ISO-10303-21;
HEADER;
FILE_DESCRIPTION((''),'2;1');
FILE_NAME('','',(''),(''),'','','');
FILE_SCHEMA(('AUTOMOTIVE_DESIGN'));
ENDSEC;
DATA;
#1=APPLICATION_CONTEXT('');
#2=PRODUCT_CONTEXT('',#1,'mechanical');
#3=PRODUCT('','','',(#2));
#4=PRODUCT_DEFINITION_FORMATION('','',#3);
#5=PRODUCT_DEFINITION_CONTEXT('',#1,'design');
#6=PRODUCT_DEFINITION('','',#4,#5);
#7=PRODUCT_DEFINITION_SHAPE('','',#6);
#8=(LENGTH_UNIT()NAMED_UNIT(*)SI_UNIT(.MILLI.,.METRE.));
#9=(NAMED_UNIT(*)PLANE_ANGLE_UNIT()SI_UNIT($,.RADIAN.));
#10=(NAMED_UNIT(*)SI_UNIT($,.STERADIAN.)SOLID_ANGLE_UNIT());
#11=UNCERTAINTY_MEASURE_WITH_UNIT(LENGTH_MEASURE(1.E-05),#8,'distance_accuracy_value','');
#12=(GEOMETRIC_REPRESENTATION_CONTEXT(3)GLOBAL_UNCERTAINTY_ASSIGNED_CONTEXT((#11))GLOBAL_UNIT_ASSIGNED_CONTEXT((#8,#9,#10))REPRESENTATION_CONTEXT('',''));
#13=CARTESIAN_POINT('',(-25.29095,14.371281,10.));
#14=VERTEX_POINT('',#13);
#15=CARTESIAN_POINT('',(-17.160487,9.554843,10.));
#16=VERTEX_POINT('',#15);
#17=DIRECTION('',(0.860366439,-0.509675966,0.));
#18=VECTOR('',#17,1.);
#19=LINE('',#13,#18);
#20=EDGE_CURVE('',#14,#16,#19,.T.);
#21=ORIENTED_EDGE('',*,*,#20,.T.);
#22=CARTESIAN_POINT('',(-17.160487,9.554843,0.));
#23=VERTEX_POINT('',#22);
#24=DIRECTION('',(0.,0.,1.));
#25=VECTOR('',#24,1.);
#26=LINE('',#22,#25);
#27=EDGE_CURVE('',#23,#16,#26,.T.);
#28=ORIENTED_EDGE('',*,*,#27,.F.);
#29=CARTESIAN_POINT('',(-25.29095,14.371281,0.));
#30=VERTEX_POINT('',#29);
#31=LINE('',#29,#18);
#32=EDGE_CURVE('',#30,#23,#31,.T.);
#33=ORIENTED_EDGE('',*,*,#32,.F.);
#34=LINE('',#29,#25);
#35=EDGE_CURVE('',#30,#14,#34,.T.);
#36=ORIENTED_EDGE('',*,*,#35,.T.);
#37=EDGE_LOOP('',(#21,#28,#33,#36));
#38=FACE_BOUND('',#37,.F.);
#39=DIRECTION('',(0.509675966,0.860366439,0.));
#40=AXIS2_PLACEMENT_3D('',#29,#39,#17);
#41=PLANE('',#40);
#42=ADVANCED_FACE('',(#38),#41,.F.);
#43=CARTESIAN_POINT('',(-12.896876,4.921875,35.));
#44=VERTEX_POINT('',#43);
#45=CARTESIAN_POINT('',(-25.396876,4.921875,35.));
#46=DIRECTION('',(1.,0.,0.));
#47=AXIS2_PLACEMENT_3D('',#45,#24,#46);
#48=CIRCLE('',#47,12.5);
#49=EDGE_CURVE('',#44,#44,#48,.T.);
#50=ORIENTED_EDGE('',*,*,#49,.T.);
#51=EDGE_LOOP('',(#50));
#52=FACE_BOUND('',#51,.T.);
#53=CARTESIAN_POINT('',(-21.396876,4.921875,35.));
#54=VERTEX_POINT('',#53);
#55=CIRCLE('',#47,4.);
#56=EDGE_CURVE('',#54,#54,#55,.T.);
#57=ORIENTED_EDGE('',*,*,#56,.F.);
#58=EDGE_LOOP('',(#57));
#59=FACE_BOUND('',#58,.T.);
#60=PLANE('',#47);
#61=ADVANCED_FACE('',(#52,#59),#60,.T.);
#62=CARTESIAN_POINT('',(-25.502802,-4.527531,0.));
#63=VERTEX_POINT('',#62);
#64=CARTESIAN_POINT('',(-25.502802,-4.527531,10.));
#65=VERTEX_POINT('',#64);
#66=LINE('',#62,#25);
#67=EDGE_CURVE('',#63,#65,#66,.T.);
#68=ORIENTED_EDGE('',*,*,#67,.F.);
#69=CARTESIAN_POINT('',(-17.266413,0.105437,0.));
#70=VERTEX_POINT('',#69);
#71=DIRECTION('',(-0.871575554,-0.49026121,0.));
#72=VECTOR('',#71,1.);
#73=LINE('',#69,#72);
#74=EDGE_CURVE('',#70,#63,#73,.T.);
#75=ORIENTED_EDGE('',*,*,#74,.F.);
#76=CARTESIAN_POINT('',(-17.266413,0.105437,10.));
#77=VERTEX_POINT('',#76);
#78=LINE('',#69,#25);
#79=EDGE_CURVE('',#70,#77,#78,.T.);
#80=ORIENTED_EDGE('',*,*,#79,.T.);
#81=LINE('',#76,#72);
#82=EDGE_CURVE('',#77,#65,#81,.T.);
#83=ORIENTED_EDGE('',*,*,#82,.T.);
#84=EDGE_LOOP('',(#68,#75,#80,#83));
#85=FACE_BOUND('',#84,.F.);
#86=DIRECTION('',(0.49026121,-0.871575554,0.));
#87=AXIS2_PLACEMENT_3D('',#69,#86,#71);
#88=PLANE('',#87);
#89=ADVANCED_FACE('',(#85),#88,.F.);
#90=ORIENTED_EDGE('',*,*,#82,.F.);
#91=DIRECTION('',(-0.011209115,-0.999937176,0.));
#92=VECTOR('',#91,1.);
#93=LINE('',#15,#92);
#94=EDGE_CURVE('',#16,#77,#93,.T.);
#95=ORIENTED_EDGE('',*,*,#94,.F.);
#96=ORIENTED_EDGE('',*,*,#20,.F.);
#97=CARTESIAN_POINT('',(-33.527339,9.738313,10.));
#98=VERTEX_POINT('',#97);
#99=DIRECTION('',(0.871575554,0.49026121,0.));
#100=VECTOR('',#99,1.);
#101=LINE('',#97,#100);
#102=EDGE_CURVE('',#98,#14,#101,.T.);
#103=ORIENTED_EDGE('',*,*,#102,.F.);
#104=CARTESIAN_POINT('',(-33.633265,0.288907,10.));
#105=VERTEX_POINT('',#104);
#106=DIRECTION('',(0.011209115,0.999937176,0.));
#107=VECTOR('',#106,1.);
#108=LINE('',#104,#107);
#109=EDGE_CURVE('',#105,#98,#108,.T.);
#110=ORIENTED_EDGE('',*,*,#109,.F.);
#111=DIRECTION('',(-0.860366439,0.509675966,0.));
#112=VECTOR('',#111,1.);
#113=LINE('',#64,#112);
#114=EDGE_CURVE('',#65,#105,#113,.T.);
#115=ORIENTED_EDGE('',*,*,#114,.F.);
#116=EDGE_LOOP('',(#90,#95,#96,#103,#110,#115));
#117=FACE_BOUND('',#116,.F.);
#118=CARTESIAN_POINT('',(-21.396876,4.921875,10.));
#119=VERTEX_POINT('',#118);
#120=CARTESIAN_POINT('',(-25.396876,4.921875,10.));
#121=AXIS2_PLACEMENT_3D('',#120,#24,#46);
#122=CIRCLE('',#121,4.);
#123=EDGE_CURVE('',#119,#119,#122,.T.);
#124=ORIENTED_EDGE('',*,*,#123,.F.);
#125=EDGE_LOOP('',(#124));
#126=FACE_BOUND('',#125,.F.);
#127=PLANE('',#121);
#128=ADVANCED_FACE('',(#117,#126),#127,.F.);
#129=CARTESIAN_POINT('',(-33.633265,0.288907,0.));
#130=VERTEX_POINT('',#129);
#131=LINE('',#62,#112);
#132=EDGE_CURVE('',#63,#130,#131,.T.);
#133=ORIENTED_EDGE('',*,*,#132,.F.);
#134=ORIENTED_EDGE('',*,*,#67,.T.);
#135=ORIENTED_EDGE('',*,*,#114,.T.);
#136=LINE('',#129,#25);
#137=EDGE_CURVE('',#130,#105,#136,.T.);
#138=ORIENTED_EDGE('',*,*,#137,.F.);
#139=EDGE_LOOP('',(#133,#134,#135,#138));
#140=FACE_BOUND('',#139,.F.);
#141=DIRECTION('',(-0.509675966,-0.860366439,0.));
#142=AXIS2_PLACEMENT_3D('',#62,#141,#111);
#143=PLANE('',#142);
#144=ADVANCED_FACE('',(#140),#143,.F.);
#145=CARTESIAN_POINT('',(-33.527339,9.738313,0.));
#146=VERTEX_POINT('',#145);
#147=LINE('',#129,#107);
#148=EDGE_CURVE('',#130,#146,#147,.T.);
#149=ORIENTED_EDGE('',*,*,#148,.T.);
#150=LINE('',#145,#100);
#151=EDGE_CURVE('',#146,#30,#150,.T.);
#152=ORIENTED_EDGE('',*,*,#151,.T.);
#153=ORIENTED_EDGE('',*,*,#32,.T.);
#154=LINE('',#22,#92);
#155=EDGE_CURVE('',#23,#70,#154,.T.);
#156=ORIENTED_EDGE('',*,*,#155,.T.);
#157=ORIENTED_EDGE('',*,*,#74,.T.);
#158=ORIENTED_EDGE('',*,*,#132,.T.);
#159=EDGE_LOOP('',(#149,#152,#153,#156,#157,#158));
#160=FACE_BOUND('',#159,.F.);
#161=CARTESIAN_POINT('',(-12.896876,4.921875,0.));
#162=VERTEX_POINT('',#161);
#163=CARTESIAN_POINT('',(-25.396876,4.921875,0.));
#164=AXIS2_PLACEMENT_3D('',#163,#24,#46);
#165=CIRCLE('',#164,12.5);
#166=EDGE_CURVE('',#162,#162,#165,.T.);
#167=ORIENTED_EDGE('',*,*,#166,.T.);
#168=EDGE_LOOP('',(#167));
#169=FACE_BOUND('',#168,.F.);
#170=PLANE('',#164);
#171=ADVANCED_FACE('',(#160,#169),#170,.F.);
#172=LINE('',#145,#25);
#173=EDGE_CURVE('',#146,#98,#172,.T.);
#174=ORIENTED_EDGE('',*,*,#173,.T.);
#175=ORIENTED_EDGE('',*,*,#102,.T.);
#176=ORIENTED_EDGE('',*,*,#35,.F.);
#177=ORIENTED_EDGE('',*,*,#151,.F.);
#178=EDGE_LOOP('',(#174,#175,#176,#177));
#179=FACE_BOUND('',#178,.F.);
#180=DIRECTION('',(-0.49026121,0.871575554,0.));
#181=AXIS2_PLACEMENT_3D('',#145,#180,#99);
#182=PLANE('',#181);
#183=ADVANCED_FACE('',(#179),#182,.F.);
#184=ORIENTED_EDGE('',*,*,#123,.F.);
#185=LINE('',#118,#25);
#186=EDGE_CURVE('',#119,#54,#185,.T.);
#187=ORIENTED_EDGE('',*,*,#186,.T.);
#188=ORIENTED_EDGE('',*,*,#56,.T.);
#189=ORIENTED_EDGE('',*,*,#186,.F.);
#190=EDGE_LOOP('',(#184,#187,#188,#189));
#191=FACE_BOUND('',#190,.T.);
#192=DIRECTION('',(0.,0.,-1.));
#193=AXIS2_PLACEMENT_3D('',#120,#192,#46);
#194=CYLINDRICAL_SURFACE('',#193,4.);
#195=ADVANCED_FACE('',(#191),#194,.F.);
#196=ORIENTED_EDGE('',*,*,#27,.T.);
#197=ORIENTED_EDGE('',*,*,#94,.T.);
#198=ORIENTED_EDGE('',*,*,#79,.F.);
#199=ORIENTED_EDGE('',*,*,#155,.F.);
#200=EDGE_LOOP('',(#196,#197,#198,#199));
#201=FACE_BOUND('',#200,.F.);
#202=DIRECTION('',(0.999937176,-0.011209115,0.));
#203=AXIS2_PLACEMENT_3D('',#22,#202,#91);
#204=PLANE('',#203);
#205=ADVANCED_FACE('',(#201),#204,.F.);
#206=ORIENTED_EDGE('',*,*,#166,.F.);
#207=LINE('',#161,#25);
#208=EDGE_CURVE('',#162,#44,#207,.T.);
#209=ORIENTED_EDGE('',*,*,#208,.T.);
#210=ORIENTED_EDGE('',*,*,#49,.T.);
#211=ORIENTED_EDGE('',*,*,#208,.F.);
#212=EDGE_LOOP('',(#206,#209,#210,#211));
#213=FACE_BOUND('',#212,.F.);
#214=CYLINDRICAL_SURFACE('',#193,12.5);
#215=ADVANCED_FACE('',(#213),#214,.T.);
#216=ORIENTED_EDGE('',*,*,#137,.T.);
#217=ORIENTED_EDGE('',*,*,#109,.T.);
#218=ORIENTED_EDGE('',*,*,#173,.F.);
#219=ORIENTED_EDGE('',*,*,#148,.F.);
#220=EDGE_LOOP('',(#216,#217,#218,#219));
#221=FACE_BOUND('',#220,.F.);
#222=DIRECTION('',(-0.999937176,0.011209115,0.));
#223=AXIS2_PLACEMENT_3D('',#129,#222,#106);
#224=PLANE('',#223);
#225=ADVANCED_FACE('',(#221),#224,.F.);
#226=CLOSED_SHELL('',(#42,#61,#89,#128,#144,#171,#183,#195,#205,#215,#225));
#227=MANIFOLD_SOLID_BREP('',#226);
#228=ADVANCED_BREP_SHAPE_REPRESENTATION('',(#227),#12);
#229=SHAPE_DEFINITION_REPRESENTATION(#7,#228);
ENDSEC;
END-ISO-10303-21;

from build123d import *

# Parameters (mm, degrees)
F0_R     = 12.5
F1_DEPTH = 10
F2_R     = 12.5
F2_R_2   = 4
F3_DEPTH = 25


with BuildPart() as f1:
    # F0 (on Top) → F1 (new body)
    with BuildSketch(Plane.XY):
        with Locations((-25.3968760371, 4.9218749627)):
            Circle(F0_R)
        Polygon((-17.1604870534, 9.5548433965), (-17.2664131867, 0.1054370842), (-25.5028021704, -4.5275313495), (-33.6332650209, 0.288906529), (-33.5273388876, 9.7383128413), (-25.2909499038, 14.371281275), align=None, mode=Mode.SUBTRACT)
    extrude(amount=F1_DEPTH)

    # F2 (on face) → F3 (join)
    with BuildSketch(Plane.XY.offset(10)):
        with Locations((-25.3968760371, 4.9218749627)):
            Circle(F2_R)
        Polygon((-25.2909499038, 14.371281275), (-17.1604870534, 9.5548433965), (-17.2664131867, 0.1054370842), (-25.5028021704, -4.5275313495), (-33.6332650209, 0.288906529), (-33.5273388876, 9.7383128413), align=None, mode=Mode.SUBTRACT)
        Polygon((-17.2664131867, 0.1054370842), (-17.1604870534, 9.5548433965), (-25.2909499038, 14.371281275), (-33.5273388876, 9.7383128413), (-33.6332650209, 0.288906529), (-25.5028021704, -4.5275313495), align=None)
        with Locations((-25.3968760371, 4.9218749627)):
            Circle(F2_R_2, mode=Mode.SUBTRACT)
    extrude(amount=F3_DEPTH)


solid = f1.part
